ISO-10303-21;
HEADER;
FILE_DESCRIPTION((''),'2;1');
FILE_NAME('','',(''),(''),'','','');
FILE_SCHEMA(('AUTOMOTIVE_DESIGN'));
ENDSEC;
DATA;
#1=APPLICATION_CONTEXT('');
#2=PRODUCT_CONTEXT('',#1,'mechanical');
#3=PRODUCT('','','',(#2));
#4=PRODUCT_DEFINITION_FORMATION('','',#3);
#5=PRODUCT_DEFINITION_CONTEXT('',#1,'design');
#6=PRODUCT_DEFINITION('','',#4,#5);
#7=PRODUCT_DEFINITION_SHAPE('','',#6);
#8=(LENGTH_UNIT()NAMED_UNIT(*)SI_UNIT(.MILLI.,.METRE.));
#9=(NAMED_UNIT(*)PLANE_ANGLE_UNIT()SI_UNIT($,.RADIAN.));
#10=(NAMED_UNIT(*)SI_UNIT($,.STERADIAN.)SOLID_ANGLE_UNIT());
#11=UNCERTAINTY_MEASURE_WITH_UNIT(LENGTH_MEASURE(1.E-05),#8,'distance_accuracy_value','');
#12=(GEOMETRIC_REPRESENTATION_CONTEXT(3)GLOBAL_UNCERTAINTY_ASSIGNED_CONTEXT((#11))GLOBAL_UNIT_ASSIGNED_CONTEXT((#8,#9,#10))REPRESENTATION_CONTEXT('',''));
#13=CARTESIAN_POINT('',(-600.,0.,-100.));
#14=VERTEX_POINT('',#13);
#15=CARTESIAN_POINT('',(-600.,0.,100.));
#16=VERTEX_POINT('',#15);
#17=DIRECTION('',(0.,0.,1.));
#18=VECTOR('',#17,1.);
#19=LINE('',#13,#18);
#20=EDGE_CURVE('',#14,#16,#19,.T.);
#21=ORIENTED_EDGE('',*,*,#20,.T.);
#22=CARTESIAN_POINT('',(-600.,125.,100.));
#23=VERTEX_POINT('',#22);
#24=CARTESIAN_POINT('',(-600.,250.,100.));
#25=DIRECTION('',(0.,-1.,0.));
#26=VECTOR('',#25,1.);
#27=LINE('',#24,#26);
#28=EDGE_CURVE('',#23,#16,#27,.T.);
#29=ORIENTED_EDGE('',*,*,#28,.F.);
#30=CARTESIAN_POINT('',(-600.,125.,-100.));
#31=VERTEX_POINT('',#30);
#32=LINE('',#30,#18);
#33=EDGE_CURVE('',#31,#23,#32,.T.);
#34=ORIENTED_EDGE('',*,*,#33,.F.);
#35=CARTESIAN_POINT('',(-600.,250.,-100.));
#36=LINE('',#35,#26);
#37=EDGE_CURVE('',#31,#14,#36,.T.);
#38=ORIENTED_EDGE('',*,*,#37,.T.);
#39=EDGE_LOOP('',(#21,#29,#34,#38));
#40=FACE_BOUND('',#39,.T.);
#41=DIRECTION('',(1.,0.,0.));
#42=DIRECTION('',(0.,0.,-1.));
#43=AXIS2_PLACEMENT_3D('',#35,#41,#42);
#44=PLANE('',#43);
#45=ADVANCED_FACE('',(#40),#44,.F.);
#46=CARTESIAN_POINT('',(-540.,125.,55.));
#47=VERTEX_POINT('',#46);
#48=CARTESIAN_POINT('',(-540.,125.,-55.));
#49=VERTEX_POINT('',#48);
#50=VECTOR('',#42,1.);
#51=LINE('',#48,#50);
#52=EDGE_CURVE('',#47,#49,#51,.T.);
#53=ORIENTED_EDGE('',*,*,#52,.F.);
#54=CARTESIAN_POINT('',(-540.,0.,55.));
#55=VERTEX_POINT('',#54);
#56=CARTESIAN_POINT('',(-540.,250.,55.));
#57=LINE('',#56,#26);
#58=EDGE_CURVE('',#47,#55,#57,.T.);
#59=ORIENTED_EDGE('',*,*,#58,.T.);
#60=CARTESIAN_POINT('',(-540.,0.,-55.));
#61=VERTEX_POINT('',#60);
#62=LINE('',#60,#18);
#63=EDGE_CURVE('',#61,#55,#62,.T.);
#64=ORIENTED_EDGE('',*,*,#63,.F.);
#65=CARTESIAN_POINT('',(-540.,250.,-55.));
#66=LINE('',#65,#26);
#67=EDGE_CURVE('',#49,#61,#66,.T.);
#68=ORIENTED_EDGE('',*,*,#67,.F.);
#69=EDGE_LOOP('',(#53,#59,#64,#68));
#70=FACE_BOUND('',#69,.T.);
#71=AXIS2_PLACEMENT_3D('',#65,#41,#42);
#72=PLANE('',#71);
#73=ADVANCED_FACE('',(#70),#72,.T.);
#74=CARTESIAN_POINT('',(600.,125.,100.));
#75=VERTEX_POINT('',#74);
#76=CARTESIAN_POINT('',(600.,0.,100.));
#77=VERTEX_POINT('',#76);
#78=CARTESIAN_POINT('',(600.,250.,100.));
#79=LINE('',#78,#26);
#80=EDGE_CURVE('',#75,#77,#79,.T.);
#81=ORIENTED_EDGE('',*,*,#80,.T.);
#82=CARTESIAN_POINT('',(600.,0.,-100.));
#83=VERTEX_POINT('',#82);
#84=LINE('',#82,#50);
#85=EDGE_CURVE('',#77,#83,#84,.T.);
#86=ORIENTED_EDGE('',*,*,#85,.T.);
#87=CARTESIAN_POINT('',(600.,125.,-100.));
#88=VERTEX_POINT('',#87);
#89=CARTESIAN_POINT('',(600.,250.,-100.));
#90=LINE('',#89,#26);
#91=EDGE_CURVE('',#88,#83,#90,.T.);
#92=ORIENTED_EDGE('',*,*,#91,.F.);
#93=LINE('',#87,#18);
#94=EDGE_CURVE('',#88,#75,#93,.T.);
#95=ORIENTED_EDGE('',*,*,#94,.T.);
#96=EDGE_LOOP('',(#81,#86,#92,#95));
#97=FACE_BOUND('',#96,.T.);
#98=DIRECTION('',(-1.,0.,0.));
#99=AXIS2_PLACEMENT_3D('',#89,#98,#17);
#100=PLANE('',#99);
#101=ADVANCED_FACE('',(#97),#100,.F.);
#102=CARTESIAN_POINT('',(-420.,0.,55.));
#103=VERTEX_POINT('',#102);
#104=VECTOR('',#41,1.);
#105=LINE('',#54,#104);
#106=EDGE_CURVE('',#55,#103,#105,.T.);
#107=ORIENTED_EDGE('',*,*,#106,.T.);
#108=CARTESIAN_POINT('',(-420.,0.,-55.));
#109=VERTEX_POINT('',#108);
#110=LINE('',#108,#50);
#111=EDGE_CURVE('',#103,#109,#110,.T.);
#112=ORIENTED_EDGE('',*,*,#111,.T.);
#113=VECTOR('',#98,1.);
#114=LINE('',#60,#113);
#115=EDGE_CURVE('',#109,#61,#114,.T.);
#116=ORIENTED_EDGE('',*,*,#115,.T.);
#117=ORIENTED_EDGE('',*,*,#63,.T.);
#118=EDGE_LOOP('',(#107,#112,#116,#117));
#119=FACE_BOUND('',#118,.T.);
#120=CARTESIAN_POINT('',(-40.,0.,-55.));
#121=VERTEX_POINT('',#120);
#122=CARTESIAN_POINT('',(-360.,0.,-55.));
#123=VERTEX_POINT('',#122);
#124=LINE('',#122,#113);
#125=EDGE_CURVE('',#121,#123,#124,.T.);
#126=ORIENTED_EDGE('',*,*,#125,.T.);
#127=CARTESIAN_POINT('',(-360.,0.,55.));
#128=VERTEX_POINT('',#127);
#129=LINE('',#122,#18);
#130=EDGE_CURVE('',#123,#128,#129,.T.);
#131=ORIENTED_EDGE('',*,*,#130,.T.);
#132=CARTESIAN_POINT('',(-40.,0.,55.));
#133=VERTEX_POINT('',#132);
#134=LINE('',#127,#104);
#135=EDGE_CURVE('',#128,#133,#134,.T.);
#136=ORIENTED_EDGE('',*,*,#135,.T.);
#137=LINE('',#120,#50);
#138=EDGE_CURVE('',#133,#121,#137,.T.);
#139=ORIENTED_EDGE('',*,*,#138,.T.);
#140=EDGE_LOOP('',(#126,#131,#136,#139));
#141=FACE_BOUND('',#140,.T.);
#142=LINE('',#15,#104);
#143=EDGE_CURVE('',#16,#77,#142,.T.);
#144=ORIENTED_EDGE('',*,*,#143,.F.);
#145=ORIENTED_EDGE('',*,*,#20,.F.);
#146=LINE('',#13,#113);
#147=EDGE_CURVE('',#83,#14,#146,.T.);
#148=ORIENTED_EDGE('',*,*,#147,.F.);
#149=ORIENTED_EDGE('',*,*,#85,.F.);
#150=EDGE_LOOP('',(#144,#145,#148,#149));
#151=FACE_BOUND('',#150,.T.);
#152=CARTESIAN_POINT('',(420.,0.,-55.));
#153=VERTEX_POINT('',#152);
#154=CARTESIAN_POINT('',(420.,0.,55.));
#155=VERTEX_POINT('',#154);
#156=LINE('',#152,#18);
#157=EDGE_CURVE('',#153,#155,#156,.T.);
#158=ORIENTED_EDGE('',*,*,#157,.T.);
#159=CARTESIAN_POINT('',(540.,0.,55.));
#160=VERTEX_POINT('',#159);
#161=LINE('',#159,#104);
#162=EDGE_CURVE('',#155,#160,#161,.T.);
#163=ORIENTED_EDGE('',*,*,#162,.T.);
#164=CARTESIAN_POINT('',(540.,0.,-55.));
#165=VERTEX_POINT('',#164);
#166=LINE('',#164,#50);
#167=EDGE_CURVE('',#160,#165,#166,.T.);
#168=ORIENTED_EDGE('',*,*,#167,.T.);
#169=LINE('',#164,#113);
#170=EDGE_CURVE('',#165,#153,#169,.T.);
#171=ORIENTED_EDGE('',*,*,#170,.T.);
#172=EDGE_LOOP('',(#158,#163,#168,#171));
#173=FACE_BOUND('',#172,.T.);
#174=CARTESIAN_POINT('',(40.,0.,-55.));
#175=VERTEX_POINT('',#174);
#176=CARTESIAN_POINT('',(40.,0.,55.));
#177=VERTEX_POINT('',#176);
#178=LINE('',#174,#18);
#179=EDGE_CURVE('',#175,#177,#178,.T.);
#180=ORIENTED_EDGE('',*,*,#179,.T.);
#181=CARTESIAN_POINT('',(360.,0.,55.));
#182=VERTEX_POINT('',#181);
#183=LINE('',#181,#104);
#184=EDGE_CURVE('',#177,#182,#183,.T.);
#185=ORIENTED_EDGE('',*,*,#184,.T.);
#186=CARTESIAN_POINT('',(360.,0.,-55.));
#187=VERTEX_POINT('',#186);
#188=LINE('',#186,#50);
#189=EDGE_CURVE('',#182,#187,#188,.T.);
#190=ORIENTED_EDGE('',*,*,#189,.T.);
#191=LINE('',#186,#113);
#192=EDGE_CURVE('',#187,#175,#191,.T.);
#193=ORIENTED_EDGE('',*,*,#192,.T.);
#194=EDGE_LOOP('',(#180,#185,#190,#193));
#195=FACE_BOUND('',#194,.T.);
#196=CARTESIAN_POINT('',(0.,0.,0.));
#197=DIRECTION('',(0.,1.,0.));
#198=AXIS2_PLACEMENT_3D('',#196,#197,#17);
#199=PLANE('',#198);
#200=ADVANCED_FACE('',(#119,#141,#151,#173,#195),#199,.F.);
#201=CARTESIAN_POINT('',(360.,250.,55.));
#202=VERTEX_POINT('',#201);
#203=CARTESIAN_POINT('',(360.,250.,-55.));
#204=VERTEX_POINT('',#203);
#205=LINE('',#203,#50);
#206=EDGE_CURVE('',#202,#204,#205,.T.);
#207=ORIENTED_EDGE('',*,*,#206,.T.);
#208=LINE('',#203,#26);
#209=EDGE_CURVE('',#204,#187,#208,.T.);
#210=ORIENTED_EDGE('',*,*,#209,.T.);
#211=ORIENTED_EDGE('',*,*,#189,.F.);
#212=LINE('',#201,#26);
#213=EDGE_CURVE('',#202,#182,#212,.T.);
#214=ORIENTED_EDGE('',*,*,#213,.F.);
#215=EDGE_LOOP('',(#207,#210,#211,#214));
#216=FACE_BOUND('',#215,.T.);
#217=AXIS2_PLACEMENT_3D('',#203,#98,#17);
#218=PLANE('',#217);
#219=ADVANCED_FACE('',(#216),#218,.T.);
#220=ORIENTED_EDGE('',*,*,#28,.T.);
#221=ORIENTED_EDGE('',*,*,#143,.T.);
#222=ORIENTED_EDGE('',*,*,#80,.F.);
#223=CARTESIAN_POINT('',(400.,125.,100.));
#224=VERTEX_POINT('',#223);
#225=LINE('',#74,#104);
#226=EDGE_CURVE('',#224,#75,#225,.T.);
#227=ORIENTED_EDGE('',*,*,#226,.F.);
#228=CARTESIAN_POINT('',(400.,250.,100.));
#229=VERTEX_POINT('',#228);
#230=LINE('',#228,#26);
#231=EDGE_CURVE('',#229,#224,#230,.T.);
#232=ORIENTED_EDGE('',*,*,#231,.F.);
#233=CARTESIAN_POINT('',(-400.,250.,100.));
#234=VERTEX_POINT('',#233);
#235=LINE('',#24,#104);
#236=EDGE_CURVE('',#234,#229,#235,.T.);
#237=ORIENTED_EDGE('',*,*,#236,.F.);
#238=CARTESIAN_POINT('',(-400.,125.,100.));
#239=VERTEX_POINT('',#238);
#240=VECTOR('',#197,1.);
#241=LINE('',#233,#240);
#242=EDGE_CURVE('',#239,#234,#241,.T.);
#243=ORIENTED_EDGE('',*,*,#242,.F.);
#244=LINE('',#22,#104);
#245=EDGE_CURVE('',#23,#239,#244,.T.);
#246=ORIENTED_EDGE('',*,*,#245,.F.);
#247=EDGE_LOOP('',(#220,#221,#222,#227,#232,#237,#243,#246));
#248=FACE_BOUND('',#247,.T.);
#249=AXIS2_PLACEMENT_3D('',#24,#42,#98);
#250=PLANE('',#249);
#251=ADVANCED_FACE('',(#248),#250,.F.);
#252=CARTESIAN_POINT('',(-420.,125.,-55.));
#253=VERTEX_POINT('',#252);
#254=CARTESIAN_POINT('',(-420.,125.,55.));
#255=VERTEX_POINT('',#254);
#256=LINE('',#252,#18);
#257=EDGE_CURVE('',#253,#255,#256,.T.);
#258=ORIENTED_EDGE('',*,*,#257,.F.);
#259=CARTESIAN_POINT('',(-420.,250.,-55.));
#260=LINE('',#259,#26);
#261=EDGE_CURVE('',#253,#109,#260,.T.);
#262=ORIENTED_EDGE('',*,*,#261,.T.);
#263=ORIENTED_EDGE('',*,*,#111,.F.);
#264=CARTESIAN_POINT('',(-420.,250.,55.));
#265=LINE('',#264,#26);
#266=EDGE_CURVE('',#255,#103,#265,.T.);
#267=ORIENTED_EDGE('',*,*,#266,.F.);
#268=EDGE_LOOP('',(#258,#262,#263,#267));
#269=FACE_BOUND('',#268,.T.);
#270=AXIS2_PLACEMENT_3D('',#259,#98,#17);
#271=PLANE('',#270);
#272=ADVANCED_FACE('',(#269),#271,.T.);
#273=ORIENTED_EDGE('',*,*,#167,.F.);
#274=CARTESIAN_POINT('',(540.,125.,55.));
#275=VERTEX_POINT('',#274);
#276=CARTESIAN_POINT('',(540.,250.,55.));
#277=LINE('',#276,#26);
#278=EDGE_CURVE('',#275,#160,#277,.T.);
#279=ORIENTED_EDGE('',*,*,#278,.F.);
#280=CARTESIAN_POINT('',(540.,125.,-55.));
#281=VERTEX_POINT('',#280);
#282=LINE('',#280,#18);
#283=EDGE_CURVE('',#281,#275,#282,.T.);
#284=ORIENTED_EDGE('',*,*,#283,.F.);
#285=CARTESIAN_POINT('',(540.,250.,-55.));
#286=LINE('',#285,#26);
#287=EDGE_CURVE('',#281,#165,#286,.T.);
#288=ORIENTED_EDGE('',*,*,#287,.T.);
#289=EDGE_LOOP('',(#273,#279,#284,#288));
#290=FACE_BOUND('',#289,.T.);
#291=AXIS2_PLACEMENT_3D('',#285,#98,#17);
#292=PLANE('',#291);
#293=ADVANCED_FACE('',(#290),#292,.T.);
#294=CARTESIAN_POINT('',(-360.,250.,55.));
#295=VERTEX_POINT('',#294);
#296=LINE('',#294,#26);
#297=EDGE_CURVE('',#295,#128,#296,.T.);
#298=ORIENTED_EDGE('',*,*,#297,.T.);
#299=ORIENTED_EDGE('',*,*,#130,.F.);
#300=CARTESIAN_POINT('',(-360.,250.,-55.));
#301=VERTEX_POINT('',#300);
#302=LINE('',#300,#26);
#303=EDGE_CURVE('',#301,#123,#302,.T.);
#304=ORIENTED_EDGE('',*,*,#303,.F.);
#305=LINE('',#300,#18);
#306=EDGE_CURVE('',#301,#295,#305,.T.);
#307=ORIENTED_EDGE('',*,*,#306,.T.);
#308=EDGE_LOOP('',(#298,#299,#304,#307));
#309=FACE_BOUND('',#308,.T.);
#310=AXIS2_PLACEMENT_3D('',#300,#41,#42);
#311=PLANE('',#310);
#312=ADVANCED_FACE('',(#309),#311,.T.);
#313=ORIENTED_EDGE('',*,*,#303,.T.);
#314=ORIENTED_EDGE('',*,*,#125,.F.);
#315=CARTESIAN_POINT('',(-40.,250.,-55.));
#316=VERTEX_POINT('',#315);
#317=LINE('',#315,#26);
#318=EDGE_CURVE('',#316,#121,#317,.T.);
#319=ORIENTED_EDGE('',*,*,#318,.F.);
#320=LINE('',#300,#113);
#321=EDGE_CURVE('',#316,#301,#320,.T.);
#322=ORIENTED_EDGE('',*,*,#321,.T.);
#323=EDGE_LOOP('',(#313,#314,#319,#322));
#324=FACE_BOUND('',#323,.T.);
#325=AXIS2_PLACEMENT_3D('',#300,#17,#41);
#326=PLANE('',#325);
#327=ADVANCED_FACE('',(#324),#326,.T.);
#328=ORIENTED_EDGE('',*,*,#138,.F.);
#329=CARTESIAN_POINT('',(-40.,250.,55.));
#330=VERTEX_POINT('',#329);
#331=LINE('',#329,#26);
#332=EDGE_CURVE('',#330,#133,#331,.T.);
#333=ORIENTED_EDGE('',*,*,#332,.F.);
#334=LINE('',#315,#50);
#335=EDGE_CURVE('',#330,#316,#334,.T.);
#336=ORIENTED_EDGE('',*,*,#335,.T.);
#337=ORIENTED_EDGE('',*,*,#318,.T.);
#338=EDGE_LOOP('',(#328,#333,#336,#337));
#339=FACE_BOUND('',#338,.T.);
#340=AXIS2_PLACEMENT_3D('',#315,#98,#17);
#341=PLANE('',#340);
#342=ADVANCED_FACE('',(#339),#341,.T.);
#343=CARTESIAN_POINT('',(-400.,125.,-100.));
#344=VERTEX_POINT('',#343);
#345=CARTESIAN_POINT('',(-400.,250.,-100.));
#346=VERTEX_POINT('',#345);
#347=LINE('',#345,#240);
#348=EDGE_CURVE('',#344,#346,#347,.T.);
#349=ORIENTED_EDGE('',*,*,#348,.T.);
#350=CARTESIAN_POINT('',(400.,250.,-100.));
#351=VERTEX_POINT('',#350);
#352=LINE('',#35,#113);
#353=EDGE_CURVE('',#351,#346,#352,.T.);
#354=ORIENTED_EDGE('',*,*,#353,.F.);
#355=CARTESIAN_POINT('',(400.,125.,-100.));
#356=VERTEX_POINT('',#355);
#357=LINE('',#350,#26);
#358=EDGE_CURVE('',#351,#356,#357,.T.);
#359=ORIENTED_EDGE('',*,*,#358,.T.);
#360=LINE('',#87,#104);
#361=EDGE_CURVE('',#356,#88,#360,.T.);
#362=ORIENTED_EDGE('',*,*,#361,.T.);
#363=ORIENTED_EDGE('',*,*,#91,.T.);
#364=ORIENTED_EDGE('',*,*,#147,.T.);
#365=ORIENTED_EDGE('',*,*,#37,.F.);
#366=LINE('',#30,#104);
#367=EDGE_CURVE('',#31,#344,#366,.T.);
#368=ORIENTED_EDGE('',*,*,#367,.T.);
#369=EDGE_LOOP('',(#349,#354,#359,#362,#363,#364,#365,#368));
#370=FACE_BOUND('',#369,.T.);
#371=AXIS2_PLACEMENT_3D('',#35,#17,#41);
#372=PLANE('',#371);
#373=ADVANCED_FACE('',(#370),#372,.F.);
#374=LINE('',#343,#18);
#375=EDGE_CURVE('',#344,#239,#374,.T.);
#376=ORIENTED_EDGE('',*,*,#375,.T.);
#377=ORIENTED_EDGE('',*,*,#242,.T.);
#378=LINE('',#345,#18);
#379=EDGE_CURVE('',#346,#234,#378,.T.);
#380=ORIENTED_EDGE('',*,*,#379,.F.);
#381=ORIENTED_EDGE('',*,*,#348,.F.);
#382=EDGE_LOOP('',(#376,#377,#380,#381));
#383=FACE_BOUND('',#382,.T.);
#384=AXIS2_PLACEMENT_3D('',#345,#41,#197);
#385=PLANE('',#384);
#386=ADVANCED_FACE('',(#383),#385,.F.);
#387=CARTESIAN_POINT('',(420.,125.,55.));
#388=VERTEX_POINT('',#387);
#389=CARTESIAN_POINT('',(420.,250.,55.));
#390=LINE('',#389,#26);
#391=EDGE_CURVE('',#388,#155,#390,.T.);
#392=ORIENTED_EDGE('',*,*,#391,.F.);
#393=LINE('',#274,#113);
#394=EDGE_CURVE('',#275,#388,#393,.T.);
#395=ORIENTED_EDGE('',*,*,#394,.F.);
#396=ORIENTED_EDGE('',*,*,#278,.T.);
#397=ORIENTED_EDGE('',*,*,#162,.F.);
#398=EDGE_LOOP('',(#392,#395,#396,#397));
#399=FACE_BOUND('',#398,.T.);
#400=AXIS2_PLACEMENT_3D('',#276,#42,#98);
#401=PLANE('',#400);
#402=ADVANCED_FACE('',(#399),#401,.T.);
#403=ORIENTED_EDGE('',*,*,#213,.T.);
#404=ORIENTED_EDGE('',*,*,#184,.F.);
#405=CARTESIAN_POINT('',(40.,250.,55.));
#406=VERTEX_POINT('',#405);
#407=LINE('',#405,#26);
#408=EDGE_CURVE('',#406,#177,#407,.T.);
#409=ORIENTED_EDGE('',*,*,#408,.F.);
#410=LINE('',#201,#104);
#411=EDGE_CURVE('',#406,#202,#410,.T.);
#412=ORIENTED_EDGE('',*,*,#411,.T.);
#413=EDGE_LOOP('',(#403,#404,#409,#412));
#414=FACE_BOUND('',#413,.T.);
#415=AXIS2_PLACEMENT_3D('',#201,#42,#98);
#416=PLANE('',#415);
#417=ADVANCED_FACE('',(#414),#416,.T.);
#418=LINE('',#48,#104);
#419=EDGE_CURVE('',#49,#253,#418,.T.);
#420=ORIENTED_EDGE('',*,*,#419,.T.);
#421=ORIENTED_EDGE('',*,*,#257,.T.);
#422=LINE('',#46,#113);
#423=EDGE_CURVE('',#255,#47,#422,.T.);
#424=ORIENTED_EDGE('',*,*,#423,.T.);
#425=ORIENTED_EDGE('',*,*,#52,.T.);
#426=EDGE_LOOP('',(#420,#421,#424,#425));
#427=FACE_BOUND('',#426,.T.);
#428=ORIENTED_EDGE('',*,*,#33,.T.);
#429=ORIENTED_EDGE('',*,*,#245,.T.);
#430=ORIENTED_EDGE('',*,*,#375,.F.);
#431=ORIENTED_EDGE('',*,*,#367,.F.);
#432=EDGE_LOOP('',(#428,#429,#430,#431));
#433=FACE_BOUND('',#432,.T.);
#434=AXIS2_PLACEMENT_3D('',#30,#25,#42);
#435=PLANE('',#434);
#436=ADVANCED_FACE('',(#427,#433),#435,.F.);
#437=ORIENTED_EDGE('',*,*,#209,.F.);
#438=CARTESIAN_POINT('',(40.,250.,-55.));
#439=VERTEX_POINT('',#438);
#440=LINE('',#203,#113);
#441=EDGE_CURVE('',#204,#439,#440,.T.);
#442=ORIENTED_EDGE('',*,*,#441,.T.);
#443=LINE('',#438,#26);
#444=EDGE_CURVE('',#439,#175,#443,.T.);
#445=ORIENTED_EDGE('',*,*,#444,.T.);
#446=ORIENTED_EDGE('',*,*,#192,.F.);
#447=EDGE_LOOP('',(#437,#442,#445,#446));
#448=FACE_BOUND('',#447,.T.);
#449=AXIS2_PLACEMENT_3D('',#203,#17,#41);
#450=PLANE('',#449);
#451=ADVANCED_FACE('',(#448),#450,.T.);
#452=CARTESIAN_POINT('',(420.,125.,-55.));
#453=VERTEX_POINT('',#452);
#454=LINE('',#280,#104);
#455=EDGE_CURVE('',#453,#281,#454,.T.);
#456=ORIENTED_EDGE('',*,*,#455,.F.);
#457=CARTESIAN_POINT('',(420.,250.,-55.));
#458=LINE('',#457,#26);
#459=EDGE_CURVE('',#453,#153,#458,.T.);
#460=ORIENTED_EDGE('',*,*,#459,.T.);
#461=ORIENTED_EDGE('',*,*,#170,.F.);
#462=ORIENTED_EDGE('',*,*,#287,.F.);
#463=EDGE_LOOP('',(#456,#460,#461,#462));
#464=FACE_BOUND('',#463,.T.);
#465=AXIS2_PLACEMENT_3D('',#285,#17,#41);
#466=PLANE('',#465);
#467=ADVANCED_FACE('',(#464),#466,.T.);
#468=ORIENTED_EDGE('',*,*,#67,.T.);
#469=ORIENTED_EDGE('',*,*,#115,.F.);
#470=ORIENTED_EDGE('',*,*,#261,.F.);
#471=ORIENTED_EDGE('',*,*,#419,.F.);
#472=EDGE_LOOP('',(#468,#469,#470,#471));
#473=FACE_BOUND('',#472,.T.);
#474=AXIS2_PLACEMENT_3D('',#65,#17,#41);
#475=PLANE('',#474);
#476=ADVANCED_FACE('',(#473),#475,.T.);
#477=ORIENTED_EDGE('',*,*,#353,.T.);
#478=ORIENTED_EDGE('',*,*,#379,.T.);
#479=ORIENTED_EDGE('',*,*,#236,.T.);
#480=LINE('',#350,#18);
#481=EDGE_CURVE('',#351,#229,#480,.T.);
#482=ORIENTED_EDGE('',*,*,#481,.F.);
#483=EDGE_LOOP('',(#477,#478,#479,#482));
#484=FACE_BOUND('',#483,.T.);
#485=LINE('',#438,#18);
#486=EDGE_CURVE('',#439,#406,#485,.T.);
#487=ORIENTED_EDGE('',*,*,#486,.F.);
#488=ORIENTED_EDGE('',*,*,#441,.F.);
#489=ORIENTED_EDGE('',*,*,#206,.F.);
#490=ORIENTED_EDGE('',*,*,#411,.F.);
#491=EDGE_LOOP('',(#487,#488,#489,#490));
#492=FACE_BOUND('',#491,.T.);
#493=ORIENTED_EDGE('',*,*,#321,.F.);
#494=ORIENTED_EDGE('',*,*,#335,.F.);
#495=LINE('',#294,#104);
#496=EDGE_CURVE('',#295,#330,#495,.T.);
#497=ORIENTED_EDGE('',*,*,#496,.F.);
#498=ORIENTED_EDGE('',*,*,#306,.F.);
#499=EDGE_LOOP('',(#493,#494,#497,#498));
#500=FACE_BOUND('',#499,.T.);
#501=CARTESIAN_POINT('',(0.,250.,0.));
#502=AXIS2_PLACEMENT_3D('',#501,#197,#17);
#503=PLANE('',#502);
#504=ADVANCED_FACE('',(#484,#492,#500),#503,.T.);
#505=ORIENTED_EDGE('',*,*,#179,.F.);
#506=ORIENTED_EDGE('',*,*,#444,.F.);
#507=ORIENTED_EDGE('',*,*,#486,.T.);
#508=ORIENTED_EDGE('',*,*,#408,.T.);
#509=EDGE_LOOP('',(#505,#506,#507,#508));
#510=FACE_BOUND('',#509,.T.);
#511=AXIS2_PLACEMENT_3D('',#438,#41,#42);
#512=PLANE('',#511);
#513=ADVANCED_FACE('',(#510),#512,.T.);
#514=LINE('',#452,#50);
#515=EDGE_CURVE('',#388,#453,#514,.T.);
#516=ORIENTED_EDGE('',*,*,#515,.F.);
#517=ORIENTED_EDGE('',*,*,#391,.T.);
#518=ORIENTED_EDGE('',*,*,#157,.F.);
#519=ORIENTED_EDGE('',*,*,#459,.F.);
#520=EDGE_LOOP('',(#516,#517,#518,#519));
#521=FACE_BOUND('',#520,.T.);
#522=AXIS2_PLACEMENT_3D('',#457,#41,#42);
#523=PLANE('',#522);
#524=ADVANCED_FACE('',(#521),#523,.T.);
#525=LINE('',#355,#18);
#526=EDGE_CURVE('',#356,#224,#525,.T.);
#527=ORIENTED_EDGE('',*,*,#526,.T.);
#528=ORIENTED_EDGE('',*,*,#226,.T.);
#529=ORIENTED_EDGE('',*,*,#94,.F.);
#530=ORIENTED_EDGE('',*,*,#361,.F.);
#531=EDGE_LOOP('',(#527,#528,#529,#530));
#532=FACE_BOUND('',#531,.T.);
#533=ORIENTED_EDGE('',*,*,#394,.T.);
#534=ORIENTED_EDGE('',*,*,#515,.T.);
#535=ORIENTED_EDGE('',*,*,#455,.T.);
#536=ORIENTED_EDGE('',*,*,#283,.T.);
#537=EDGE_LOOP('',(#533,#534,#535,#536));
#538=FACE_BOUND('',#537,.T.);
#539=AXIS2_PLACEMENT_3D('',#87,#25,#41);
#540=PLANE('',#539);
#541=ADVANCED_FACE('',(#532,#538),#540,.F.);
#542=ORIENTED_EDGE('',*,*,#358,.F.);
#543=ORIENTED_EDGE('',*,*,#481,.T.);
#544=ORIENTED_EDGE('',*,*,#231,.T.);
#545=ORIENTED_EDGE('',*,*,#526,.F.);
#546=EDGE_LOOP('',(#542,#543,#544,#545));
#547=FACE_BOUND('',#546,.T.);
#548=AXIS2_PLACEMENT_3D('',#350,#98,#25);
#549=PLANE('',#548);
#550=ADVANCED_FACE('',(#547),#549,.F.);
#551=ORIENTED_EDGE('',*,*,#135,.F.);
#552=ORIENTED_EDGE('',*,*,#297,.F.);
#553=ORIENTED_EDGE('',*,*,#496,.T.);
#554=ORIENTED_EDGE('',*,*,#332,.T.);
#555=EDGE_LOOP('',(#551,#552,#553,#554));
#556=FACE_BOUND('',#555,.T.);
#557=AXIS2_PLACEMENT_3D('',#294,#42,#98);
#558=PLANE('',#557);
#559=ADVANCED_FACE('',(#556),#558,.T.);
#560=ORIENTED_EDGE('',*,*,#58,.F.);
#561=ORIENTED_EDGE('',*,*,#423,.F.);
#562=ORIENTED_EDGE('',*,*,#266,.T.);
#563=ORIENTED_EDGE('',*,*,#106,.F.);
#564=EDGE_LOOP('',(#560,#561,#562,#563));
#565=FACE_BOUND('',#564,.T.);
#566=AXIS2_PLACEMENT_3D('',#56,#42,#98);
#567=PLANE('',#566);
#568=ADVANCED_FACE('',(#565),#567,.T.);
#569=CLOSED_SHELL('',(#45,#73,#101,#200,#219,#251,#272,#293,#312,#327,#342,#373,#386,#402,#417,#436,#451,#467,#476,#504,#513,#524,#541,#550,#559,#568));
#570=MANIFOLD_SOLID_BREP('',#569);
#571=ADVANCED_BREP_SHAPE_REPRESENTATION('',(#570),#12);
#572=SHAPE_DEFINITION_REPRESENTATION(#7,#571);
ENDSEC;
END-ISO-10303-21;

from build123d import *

# Parameters (mm, degrees)
SKETCH_1_W          = 1200
SKETCH_1_H          = 200
SKETCH_1_W_2        = 120
SKETCH_1_H_2        = 110
SKETCH_1_W_3        = 320
EXTRUDE_1_DEPTH     = 250
SKETCH_2_W          = 200
SKETCH_2_H          = 125
CUT_EXTRUDE_1_DEPTH = 201


with BuildPart() as part:
    # Эскиз1 → Бобышка-Вытянуть1 (new body)
    with BuildSketch(Plane(origin=(0, 0, 0), x_dir=(1, 0, 0), z_dir=(0, 1, 0))):
        Rectangle(SKETCH_1_W, SKETCH_1_H)
        with Locations((-480, 0)):
            Rectangle(SKETCH_1_W_2, SKETCH_1_H_2, mode=Mode.SUBTRACT)
        with Locations((-200, 0)):
            Rectangle(SKETCH_1_W_3, SKETCH_1_H_2, mode=Mode.SUBTRACT)
        with Locations((200, 0)):
            Rectangle(SKETCH_1_W_3, SKETCH_1_H_2, mode=Mode.SUBTRACT)
        with Locations((480, 0)):
            Rectangle(SKETCH_1_W_2, SKETCH_1_H_2, mode=Mode.SUBTRACT)
    extrude(amount=EXTRUDE_1_DEPTH)

    # Эскиз2 → Вырез-Вытянуть1 (cut, through all)
    with BuildSketch(Plane.XY.offset(100)):
        with Locations((-500, 187.5)):
            Rectangle(SKETCH_2_W, SKETCH_2_H)
        with Locations((500, 187.5)):
            Rectangle(SKETCH_2_W, SKETCH_2_H)
    extrude(amount=-CUT_EXTRUDE_1_DEPTH, mode=Mode.SUBTRACT)


solid = part.part
